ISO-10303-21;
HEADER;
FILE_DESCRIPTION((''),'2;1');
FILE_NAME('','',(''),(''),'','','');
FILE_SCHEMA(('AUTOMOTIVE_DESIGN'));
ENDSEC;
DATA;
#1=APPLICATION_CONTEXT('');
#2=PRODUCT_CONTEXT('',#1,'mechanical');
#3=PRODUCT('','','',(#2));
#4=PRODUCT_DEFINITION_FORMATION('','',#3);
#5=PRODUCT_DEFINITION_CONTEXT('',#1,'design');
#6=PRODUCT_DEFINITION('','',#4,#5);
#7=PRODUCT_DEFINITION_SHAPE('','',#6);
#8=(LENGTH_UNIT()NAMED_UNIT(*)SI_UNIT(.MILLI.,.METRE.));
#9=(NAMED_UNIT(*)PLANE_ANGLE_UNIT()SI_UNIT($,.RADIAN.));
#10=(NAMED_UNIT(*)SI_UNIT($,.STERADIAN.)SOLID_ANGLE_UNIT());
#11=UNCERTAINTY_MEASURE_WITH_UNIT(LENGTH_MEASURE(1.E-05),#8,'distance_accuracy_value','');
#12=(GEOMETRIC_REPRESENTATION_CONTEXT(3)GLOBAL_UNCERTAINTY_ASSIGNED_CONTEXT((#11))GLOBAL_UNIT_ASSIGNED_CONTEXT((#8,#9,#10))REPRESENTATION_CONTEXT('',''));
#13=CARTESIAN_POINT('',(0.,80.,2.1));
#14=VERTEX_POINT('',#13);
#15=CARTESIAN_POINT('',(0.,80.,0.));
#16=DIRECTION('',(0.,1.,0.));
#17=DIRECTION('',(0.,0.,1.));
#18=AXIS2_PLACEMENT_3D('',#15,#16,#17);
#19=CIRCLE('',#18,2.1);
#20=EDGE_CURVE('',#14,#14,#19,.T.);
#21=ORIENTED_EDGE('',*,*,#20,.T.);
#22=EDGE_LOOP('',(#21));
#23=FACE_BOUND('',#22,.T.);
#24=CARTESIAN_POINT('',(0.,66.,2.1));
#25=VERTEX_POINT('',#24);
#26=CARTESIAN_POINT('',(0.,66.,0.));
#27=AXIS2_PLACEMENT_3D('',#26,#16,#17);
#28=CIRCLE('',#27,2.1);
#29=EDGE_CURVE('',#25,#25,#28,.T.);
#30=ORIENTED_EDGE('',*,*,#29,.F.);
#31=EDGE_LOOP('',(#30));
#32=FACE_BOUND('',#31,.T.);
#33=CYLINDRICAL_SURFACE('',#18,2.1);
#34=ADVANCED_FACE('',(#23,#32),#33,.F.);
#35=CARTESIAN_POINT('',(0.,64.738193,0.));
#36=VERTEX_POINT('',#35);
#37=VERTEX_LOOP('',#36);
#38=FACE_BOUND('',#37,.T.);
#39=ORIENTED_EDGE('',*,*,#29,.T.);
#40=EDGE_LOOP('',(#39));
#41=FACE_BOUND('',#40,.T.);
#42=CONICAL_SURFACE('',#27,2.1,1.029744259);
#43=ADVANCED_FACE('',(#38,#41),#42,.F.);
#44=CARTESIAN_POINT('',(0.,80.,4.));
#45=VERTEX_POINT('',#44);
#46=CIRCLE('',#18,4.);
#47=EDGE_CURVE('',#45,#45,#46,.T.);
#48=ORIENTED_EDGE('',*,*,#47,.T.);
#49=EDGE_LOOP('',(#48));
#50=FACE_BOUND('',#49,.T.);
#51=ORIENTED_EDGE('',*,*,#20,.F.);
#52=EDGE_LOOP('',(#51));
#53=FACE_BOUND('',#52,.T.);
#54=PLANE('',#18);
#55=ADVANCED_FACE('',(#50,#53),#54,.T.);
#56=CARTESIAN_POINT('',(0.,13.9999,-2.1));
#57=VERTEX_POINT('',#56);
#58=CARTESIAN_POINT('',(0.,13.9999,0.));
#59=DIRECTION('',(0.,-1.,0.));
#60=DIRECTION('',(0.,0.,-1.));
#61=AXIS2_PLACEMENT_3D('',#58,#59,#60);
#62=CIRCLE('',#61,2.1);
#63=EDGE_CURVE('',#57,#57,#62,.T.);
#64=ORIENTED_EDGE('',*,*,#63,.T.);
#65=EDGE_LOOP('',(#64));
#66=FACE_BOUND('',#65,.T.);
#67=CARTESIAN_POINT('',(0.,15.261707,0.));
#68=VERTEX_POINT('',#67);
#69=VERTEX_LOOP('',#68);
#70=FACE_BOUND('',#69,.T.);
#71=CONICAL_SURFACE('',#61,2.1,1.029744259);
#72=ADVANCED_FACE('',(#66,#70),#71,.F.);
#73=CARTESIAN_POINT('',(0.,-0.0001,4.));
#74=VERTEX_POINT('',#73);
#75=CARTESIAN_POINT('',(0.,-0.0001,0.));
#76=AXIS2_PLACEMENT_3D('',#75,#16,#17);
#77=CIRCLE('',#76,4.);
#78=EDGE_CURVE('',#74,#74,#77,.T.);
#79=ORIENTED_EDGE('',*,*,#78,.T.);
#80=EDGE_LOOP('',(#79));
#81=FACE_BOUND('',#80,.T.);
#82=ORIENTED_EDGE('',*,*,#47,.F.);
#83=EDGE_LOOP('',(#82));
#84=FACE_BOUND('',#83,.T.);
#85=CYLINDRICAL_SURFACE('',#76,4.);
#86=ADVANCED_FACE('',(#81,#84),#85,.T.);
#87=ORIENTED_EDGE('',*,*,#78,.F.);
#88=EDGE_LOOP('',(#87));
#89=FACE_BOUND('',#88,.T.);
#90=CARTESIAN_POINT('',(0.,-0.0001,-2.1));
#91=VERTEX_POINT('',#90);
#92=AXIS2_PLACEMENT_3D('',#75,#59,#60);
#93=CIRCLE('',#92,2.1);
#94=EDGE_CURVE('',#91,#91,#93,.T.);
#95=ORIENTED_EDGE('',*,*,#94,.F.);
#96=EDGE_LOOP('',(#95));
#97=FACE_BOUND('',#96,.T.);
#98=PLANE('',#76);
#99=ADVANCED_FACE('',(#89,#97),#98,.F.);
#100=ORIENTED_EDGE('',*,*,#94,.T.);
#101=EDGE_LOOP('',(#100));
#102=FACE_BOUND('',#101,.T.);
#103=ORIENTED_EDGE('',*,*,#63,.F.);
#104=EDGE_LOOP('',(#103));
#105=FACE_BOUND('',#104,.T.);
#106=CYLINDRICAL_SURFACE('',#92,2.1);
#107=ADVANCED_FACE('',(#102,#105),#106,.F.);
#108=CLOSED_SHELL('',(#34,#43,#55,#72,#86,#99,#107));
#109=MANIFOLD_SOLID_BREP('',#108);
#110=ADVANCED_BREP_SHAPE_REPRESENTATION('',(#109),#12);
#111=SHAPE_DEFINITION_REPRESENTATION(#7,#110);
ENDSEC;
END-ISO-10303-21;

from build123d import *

# Parameters (mm, degrees)
BOSS_EXTRUDE1_DEPTH       = 80
BOSS_EXTRUDE1_DEPTH_BACK  = 0.0001
SKETCH1_R                 = 4
M5X0_8_TAPPED_HOLE1_D     = 4.2
M5X0_8_TAPPED_HOLE1_DEPTH = 14
M5X0_8_TAPPED_HOLE1_TIP   = 1.2618073
M5X0_8_TAPPED_HOLE2_D     = 4.2
M5X0_8_TAPPED_HOLE2_DEPTH = 14
M5X0_8_TAPPED_HOLE2_TIP   = 1.2618073


with BuildPart() as part:
    # Sketch1 → Boss-Extrude1 (new, two sides: drawn at the far end of the back side and taken through both)
    with BuildSketch(Plane(origin=(0, 0, 0), x_dir=(1, 0, 0), z_dir=(0, 1, 0)).offset(-BOSS_EXTRUDE1_DEPTH_BACK)):
        with Locations(Location((0, 0, 0), (0, 0, 270))):
            Circle(SKETCH1_R)
    extrude(amount=BOSS_EXTRUDE1_DEPTH + BOSS_EXTRUDE1_DEPTH_BACK)

    # M5x0.8 Tapped Hole1
    with Locations(Plane(origin=(0, 80, 0), x_dir=(1, 0, 0), z_dir=(0, 1, 0))):
        with Locations((0, 0)):
            Hole(M5X0_8_TAPPED_HOLE1_D / 2, depth=M5X0_8_TAPPED_HOLE1_DEPTH)
            with Locations((0, 0, -(M5X0_8_TAPPED_HOLE1_DEPTH + M5X0_8_TAPPED_HOLE1_TIP / 2))):  # 118° drill point
                Cone(0, M5X0_8_TAPPED_HOLE1_D / 2, M5X0_8_TAPPED_HOLE1_TIP, mode=Mode.SUBTRACT)

    # M5x0.8 Tapped Hole2
    with Locations(Plane(origin=(0, -0.0001, 0), x_dir=(-1, 0, 0), z_dir=(0, -1, 0))):
        with Locations((0, 0)):
            Hole(M5X0_8_TAPPED_HOLE2_D / 2, depth=M5X0_8_TAPPED_HOLE2_DEPTH)
            with Locations((0, 0, -(M5X0_8_TAPPED_HOLE2_DEPTH + M5X0_8_TAPPED_HOLE2_TIP / 2))):  # 118° drill point
                Cone(0, M5X0_8_TAPPED_HOLE2_D / 2, M5X0_8_TAPPED_HOLE2_TIP, mode=Mode.SUBTRACT)


solid = part.part
